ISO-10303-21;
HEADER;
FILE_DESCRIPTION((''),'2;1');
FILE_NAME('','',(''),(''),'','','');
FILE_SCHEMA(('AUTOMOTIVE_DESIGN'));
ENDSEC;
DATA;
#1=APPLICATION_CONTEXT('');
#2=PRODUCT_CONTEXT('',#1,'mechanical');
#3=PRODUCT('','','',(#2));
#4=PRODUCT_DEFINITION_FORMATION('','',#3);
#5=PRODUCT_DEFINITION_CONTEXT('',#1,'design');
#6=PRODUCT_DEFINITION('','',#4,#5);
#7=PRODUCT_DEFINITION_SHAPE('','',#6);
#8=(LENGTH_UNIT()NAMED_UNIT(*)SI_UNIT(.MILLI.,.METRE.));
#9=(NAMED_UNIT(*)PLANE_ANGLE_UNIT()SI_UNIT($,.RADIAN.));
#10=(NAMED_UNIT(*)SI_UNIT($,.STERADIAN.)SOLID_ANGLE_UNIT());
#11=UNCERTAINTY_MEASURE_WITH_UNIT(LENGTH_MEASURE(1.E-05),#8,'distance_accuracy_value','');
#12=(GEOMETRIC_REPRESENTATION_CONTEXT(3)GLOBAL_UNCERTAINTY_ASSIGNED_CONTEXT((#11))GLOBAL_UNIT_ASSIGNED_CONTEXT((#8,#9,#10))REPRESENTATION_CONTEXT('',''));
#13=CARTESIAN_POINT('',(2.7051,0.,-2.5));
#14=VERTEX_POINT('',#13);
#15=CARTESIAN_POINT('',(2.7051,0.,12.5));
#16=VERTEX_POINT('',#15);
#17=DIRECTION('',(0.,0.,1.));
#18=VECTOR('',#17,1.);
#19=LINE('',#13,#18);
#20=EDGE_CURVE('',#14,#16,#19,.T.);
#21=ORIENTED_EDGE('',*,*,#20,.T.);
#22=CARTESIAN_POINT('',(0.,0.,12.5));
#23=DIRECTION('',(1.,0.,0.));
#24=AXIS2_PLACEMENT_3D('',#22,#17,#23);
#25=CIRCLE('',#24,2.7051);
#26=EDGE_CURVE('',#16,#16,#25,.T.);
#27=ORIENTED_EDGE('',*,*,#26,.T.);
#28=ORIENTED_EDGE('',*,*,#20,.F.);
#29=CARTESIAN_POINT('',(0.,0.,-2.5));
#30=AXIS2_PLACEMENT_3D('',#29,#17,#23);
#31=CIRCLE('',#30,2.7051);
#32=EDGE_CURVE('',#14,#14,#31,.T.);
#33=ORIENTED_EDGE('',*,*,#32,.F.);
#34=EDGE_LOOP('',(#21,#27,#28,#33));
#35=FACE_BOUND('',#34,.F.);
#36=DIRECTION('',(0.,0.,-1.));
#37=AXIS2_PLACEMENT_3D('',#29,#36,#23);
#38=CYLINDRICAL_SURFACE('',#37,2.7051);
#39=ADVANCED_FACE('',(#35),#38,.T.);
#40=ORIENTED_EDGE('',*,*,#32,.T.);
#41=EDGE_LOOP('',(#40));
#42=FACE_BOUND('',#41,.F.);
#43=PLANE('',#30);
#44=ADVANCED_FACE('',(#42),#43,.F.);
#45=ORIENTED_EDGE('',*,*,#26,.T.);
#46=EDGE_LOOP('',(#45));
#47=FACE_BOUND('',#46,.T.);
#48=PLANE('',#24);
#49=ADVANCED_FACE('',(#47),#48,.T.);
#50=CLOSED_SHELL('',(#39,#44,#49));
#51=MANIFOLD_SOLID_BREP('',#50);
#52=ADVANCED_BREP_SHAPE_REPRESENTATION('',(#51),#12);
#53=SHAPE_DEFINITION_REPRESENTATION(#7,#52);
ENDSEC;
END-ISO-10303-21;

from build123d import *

# Parameters (mm, degrees)
CYLINDER_R     = 2.7051
CYLINDER_DEPTH = 15


with BuildPart() as part:
    # Cylinder → Cylinder (new body)
    with BuildSketch(Plane.XY.offset(-2.5)):
        Circle(CYLINDER_R)
    extrude(amount=CYLINDER_DEPTH)


solid = part.part
